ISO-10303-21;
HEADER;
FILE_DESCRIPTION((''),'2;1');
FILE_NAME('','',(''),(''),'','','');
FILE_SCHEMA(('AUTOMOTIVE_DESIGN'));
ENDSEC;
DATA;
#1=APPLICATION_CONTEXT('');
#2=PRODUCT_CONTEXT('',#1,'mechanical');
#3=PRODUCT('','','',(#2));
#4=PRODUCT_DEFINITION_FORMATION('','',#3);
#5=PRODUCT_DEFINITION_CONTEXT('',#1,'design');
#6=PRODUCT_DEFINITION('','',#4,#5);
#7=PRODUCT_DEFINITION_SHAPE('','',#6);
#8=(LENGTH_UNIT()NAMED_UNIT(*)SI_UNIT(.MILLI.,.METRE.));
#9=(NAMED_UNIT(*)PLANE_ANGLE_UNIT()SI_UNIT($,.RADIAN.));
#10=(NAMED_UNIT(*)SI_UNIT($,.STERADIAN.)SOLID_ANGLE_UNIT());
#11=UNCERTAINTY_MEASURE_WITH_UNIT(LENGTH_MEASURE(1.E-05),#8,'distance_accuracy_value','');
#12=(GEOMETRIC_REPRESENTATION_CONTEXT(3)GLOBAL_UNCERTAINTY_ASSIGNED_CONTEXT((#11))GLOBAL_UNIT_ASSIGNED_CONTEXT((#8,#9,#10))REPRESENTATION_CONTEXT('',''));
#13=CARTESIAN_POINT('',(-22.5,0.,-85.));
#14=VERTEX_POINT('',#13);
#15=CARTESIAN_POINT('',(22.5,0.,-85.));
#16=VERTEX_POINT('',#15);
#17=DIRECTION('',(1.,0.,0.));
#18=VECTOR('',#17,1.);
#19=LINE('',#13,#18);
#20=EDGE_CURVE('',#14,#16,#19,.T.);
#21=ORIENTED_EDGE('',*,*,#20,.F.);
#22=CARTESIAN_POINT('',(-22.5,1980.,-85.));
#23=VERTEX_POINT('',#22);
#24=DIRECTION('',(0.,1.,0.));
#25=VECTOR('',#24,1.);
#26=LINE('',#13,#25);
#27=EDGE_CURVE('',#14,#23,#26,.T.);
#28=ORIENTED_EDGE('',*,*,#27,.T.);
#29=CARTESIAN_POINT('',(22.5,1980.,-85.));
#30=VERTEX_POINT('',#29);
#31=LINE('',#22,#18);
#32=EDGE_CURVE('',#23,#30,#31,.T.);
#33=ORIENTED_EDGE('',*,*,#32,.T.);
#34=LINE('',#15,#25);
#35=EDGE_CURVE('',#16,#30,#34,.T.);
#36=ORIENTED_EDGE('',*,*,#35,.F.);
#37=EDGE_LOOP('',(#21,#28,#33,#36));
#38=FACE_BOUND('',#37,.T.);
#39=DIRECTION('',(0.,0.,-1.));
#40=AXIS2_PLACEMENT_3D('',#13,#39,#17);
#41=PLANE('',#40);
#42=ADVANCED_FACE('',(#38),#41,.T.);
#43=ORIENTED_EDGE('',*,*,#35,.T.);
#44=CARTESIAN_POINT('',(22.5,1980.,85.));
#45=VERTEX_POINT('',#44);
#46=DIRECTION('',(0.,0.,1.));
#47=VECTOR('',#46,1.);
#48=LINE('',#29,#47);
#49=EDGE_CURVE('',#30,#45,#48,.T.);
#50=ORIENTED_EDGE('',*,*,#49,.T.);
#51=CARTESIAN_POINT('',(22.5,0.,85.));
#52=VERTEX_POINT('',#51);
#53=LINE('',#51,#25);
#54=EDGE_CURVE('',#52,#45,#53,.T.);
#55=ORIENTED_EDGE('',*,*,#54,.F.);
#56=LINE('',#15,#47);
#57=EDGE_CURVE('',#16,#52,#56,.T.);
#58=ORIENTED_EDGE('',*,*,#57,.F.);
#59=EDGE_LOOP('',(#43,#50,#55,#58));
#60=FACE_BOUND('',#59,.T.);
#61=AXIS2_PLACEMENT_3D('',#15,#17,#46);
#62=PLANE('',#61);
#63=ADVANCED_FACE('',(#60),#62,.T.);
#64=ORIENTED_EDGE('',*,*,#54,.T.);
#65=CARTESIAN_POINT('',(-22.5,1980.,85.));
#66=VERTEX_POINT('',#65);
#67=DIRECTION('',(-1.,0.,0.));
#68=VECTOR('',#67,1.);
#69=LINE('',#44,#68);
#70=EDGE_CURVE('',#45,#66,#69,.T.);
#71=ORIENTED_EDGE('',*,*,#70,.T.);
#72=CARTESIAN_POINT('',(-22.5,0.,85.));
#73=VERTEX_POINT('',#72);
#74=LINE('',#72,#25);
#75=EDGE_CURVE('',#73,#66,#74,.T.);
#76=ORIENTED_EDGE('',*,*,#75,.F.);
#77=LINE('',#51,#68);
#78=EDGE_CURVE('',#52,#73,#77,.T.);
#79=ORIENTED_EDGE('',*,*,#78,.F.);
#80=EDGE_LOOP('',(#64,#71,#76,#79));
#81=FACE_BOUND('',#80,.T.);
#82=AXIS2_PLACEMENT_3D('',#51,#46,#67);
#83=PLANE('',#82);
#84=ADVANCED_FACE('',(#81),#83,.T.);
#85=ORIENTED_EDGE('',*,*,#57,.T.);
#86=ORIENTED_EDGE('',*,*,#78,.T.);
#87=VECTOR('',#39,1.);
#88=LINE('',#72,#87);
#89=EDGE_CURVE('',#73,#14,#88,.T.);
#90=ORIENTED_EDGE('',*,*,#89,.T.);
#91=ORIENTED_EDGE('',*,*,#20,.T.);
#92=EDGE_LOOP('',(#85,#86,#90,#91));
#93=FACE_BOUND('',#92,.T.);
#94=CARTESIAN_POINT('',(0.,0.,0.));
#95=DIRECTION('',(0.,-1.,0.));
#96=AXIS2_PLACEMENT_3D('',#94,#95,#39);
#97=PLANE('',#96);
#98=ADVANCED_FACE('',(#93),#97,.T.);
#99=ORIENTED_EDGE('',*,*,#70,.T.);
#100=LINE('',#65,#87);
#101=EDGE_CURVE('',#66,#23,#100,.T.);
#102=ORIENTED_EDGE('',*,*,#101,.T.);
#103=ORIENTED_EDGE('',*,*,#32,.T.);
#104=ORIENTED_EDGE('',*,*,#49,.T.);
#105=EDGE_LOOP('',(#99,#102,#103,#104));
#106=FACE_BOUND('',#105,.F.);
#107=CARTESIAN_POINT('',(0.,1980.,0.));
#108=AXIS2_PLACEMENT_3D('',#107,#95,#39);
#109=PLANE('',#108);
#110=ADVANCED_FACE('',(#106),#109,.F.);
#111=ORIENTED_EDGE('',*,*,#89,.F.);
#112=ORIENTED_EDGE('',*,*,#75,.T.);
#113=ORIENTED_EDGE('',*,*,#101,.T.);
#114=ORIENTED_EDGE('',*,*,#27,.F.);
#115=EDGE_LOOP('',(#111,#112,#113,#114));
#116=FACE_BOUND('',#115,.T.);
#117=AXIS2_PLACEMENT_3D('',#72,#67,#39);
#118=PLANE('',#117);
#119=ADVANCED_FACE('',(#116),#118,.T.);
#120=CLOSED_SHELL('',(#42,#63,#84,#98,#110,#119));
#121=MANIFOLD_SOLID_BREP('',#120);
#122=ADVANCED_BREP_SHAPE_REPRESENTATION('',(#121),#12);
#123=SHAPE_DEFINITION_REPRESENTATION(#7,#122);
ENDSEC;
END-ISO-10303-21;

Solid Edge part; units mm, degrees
sketch "Sketch1" plane through (0, 0, 0) normal (0, -1, 0) x (1, 0, 0)
  line L0 (-22.5, -85) -> (22.5, -85)
  line L1 (22.5, -85) -> (22.5, 85)
  line L2 (22.5, 85) -> (-22.5, 85)
  line L3 (-22.5, 85) -> (-22.5, -85)
extrude "Protrusion1" add sketch "Sketch1" against normal blind 1980
properties material "Wood, Pine"
